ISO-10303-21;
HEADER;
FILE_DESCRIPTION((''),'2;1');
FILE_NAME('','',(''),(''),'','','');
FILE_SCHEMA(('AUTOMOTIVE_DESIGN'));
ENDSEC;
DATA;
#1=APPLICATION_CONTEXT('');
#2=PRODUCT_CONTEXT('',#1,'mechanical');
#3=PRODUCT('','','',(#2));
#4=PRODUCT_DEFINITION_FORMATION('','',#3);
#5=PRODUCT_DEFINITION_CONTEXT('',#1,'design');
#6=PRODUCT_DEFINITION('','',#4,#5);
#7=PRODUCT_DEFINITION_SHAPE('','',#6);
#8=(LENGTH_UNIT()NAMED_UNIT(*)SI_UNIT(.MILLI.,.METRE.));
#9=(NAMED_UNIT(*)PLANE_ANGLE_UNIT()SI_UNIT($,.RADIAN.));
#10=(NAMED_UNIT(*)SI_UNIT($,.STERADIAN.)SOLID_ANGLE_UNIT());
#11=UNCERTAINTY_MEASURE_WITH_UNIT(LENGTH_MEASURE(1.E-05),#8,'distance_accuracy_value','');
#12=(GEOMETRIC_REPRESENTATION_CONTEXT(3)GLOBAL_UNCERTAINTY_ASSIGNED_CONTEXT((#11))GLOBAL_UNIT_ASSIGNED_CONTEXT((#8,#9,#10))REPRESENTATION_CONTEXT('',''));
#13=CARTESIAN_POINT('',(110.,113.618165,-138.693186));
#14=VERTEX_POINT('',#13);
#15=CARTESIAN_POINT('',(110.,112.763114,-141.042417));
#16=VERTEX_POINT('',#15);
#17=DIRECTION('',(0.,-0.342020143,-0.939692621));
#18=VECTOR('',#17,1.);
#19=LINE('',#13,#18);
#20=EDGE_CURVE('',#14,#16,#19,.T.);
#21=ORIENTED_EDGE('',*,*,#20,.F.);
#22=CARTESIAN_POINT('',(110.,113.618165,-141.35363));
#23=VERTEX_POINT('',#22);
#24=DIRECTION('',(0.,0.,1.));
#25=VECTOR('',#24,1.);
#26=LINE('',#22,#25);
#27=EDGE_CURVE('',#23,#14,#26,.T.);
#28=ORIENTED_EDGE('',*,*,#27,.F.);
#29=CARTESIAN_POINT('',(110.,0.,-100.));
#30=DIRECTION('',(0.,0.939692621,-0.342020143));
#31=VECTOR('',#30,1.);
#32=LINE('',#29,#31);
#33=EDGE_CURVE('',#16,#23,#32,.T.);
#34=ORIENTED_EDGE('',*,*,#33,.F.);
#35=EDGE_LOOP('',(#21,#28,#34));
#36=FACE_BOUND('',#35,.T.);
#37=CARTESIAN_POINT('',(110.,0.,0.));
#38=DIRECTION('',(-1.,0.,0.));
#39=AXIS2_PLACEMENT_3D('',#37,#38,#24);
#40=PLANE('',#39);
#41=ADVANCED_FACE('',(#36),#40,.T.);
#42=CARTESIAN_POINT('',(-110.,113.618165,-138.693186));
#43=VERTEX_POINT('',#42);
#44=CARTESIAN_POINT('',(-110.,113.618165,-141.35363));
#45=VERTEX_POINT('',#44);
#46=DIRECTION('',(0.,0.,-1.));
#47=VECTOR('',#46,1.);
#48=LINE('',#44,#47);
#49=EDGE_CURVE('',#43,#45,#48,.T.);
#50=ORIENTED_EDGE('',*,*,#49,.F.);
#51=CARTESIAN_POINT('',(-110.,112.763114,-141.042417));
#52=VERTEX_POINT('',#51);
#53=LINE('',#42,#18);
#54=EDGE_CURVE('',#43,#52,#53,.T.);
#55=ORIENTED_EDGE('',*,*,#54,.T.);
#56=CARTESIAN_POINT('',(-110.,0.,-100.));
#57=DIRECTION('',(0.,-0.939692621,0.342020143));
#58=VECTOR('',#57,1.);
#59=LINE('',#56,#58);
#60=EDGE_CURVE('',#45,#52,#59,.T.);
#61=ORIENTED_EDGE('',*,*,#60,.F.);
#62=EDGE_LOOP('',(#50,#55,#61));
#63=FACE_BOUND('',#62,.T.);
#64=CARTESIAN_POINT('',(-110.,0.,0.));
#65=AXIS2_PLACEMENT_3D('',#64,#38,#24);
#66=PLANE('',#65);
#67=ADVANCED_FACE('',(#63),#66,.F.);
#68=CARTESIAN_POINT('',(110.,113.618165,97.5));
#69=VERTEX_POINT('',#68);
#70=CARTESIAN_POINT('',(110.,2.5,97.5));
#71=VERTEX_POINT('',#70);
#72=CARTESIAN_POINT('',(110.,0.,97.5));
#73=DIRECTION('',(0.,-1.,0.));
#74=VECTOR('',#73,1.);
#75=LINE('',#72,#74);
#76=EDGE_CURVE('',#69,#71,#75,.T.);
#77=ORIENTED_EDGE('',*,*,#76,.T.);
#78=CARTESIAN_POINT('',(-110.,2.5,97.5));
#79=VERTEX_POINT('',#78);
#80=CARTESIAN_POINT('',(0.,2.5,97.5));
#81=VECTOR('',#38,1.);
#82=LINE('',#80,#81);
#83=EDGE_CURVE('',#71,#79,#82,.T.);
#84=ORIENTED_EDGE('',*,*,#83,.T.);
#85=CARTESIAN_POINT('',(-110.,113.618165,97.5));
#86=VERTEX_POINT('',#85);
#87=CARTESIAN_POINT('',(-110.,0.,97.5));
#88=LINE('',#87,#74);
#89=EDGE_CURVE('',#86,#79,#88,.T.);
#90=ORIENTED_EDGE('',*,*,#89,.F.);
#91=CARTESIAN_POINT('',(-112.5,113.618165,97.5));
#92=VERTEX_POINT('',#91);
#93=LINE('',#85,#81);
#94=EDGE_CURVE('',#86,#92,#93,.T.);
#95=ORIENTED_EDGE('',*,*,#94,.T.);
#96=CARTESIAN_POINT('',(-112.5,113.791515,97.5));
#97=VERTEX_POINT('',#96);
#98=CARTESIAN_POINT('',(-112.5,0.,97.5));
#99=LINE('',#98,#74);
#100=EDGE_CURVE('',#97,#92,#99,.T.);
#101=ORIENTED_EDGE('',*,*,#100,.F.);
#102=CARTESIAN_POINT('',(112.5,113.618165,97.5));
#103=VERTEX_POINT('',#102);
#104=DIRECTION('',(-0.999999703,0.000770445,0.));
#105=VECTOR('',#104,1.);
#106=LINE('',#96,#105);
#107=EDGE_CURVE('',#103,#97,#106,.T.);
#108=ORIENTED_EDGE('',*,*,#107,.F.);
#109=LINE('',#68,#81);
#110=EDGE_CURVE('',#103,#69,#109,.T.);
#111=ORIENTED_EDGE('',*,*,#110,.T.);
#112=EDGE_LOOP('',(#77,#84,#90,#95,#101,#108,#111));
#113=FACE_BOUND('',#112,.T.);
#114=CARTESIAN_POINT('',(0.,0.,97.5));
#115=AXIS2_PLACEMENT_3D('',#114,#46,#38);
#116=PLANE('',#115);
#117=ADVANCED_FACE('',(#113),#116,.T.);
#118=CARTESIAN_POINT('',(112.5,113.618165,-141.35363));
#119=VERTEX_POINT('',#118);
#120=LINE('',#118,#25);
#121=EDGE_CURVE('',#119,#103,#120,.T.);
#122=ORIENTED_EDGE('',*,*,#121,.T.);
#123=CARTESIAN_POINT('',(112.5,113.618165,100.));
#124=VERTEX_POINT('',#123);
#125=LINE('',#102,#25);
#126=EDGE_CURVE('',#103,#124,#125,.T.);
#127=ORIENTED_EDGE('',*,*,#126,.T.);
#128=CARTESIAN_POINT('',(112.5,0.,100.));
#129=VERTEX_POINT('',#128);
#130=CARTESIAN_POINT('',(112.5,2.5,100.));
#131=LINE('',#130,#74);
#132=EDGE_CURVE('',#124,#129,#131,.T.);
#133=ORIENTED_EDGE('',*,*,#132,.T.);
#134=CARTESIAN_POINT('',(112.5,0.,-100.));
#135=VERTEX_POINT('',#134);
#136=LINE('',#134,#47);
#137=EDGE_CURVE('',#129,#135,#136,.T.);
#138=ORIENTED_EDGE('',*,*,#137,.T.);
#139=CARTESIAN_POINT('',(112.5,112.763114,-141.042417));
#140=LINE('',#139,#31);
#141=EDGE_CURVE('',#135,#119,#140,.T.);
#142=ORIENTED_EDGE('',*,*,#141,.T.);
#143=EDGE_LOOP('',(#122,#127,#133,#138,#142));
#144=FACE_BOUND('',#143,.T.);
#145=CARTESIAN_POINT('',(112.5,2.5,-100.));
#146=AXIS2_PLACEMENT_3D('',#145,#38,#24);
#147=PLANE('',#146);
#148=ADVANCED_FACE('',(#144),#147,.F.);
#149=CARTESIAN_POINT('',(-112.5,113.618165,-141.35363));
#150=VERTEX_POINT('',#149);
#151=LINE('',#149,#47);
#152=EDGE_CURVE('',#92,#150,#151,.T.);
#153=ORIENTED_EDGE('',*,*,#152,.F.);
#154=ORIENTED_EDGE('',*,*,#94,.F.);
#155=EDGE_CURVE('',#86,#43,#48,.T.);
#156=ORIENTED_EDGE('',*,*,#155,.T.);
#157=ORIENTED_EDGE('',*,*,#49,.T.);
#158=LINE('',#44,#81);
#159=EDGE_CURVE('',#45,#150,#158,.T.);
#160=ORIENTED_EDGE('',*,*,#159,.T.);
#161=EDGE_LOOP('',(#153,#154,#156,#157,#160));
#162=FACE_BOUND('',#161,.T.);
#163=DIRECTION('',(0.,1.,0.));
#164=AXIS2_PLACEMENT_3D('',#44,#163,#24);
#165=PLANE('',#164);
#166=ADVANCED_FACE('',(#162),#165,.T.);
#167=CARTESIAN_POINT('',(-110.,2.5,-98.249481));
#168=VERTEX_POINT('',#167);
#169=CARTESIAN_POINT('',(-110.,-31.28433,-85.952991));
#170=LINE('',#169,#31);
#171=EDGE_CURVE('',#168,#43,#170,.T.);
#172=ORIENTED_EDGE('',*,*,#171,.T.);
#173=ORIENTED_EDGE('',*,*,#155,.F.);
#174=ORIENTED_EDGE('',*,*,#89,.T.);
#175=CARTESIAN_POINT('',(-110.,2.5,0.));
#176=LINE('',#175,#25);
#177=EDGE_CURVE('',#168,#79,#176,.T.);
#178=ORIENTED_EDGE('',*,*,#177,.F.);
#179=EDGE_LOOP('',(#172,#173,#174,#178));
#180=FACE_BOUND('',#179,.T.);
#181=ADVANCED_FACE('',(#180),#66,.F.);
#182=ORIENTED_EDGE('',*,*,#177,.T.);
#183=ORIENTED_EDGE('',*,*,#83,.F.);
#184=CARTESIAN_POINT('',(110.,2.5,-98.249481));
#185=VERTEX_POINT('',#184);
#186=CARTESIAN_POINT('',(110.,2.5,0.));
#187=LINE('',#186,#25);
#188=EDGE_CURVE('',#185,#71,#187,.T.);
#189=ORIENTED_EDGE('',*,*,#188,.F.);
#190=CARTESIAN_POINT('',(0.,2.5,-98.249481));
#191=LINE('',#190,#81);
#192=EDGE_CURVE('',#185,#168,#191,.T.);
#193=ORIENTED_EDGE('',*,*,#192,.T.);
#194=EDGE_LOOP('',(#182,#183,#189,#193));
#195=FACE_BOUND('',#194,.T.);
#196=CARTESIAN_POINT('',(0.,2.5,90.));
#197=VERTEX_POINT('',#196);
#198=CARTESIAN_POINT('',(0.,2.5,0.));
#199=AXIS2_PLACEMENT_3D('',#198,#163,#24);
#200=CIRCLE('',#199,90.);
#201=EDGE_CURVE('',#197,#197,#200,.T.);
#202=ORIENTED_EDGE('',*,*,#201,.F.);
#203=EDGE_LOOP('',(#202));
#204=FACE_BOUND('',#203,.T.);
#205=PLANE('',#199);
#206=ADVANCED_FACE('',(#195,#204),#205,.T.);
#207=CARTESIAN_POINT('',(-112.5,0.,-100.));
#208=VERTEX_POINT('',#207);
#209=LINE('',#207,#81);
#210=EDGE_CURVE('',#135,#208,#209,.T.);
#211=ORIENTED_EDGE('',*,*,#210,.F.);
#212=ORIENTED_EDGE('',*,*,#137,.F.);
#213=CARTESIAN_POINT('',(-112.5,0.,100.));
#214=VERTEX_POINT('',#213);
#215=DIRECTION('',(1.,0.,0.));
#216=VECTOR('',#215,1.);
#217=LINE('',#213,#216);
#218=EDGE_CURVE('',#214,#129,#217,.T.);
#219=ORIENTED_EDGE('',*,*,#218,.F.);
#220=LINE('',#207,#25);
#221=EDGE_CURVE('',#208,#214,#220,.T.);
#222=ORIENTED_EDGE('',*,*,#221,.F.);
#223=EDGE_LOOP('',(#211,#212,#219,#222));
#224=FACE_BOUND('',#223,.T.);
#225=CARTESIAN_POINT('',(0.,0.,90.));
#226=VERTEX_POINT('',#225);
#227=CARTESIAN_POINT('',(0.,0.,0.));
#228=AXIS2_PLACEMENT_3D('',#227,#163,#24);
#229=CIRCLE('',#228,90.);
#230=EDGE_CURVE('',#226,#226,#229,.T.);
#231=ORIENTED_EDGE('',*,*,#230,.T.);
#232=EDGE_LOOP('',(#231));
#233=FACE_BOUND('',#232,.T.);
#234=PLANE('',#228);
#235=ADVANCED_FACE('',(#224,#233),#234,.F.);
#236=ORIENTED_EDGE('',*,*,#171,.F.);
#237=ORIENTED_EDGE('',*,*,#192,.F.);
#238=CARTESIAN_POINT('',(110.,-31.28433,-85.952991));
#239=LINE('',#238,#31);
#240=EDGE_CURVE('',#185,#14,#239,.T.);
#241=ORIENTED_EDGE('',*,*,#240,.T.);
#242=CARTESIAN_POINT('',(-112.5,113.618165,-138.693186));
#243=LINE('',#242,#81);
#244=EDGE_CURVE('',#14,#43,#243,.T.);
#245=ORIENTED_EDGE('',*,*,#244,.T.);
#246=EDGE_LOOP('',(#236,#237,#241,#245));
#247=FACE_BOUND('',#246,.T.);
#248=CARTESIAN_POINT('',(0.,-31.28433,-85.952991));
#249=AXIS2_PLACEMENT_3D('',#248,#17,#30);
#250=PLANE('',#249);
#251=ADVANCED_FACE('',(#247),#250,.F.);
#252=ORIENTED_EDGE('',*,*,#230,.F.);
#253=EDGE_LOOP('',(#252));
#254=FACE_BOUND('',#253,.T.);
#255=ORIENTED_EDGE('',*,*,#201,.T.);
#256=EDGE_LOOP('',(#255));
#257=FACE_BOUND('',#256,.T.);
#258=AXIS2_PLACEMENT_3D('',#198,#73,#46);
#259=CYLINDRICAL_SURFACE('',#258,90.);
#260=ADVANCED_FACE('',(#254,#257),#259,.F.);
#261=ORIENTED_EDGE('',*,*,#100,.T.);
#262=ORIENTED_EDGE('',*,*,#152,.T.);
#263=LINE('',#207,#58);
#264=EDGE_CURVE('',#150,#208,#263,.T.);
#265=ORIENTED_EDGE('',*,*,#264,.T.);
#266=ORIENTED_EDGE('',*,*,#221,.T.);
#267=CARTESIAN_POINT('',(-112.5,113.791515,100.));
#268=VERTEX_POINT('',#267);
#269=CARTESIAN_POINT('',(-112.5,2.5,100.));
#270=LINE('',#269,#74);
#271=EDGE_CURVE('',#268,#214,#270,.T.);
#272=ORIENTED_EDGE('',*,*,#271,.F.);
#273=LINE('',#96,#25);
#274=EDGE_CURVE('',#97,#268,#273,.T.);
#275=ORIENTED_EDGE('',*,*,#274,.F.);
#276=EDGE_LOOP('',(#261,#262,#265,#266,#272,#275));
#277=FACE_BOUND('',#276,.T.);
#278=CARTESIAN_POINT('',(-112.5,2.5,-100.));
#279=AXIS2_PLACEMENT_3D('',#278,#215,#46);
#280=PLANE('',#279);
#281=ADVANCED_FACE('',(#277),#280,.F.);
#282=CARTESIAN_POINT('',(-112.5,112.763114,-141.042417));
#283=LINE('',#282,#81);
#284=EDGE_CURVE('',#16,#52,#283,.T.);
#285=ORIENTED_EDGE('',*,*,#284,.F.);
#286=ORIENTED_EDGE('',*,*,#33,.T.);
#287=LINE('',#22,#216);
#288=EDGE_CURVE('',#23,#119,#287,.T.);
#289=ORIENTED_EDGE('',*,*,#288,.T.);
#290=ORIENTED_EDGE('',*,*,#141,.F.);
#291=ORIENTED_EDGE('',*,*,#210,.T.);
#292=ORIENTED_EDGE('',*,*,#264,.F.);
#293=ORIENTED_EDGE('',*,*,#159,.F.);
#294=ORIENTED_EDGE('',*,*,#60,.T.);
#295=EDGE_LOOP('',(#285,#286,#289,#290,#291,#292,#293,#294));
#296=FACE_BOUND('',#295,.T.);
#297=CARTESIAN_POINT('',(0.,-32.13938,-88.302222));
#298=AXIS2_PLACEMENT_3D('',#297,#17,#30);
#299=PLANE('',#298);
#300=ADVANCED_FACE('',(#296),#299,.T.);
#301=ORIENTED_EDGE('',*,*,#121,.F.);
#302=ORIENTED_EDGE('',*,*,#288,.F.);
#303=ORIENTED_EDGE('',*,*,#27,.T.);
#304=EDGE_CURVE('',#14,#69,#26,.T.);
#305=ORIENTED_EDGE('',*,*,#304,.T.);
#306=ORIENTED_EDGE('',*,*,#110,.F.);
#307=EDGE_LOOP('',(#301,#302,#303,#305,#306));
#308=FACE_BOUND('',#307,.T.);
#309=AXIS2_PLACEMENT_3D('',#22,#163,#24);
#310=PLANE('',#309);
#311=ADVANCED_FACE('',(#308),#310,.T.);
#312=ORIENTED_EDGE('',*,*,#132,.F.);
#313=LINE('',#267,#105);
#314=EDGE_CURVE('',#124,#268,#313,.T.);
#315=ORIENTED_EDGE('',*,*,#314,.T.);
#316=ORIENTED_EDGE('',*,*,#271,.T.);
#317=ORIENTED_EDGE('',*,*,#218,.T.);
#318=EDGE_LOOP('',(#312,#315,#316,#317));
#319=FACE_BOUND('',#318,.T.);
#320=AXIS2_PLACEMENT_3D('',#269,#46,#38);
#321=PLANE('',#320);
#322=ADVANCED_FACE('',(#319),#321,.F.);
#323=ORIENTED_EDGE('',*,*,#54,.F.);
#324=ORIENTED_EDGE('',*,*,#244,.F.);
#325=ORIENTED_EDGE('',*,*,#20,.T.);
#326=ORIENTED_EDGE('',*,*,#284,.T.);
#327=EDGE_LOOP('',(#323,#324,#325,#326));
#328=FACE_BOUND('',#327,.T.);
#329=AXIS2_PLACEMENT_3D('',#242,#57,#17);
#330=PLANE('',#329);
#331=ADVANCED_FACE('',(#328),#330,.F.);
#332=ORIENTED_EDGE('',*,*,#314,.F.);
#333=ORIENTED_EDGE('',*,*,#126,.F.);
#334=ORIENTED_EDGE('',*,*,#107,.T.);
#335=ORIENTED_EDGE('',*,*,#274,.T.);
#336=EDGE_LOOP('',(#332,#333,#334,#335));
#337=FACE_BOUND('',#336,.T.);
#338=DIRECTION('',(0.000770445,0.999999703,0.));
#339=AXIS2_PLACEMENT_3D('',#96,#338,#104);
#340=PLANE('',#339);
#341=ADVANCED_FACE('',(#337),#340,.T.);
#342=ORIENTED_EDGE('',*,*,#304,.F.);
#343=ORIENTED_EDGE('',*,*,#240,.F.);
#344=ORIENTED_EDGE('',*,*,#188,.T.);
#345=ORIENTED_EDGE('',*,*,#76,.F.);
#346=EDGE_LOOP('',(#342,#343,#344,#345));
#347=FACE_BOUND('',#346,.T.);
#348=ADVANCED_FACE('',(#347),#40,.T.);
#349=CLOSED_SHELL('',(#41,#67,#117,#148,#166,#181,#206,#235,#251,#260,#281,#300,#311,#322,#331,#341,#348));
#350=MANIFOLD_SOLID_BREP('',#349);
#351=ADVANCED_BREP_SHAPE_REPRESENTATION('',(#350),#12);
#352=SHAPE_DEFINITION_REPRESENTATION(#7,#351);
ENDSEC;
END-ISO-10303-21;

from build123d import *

# Parameters (mm, degrees)
SKETCH_1_W       = 225
SKETCH_1_H       = 200
SKETCH_1_R       = 90
EXTRUDE_1_DEPTH  = 2.5
SKETCH_9_W       = 225
SKETCH_9_H       = 120
EXTRUDE_11_DEPTH = 2.5
EXTRUDE_12_DEPTH = 2.5
EXTRUDE_13_DEPTH = 2.5
EXTRUDE_14_DEPTH = 2.5


with BuildPart() as part:
    # 草图1 → 凸台-拉伸1 (new body)
    with BuildSketch(Plane(origin=(0, 0, 0), x_dir=(1, 0, 0), z_dir=(0, 1, 0))):
        Rectangle(SKETCH_1_W, SKETCH_1_H)
        with Locations(Location((0, 0, 0), (0, 0, 270))):
            Circle(SKETCH_1_R, mode=Mode.SUBTRACT)
    extrude(amount=EXTRUDE_1_DEPTH)

    # 草图9 → 凸台-拉伸11 (add)
    with BuildSketch(Plane(origin=(0, -32.139380484, -88.302222156), x_dir=(1, 0, 0), z_dir=(0, 0.3420201433256658, 0.9396926207859095))):
        with Locations((0, 94.202014333)):
            Rectangle(SKETCH_9_W, SKETCH_9_H)
    extrude(amount=EXTRUDE_11_DEPTH)

    # 草图12 → 凸台-拉伸12 (add)
    with BuildSketch(Plane.ZY.offset(112.5)):
        Polygon((-100, 0), (-141.353630078, 113.618164853), (100, 113.618164853), (100, 0), align=None)
    extrude(amount=-EXTRUDE_12_DEPTH)

    # 草图13 → 凸台-拉伸13 (add)
    with BuildSketch(Plane(origin=(112.5, 0, 0), x_dir=(0, 0, -1), z_dir=(1, 0, 0))):
        Polygon((100, 0), (141.353630078, 113.618164853), (-100, 113.618164853), (-100, 0), align=None)
    extrude(amount=-EXTRUDE_13_DEPTH)

    # 草图15 → 凸台-拉伸14 (add)
    with BuildSketch(Plane.XY.offset(100)):
        Polygon((-112.5, 0), (-112.5, 113.791515023), (112.5, 113.618164853), (112.5, 0), align=None)
    extrude(amount=-EXTRUDE_14_DEPTH)


solid = part.part
